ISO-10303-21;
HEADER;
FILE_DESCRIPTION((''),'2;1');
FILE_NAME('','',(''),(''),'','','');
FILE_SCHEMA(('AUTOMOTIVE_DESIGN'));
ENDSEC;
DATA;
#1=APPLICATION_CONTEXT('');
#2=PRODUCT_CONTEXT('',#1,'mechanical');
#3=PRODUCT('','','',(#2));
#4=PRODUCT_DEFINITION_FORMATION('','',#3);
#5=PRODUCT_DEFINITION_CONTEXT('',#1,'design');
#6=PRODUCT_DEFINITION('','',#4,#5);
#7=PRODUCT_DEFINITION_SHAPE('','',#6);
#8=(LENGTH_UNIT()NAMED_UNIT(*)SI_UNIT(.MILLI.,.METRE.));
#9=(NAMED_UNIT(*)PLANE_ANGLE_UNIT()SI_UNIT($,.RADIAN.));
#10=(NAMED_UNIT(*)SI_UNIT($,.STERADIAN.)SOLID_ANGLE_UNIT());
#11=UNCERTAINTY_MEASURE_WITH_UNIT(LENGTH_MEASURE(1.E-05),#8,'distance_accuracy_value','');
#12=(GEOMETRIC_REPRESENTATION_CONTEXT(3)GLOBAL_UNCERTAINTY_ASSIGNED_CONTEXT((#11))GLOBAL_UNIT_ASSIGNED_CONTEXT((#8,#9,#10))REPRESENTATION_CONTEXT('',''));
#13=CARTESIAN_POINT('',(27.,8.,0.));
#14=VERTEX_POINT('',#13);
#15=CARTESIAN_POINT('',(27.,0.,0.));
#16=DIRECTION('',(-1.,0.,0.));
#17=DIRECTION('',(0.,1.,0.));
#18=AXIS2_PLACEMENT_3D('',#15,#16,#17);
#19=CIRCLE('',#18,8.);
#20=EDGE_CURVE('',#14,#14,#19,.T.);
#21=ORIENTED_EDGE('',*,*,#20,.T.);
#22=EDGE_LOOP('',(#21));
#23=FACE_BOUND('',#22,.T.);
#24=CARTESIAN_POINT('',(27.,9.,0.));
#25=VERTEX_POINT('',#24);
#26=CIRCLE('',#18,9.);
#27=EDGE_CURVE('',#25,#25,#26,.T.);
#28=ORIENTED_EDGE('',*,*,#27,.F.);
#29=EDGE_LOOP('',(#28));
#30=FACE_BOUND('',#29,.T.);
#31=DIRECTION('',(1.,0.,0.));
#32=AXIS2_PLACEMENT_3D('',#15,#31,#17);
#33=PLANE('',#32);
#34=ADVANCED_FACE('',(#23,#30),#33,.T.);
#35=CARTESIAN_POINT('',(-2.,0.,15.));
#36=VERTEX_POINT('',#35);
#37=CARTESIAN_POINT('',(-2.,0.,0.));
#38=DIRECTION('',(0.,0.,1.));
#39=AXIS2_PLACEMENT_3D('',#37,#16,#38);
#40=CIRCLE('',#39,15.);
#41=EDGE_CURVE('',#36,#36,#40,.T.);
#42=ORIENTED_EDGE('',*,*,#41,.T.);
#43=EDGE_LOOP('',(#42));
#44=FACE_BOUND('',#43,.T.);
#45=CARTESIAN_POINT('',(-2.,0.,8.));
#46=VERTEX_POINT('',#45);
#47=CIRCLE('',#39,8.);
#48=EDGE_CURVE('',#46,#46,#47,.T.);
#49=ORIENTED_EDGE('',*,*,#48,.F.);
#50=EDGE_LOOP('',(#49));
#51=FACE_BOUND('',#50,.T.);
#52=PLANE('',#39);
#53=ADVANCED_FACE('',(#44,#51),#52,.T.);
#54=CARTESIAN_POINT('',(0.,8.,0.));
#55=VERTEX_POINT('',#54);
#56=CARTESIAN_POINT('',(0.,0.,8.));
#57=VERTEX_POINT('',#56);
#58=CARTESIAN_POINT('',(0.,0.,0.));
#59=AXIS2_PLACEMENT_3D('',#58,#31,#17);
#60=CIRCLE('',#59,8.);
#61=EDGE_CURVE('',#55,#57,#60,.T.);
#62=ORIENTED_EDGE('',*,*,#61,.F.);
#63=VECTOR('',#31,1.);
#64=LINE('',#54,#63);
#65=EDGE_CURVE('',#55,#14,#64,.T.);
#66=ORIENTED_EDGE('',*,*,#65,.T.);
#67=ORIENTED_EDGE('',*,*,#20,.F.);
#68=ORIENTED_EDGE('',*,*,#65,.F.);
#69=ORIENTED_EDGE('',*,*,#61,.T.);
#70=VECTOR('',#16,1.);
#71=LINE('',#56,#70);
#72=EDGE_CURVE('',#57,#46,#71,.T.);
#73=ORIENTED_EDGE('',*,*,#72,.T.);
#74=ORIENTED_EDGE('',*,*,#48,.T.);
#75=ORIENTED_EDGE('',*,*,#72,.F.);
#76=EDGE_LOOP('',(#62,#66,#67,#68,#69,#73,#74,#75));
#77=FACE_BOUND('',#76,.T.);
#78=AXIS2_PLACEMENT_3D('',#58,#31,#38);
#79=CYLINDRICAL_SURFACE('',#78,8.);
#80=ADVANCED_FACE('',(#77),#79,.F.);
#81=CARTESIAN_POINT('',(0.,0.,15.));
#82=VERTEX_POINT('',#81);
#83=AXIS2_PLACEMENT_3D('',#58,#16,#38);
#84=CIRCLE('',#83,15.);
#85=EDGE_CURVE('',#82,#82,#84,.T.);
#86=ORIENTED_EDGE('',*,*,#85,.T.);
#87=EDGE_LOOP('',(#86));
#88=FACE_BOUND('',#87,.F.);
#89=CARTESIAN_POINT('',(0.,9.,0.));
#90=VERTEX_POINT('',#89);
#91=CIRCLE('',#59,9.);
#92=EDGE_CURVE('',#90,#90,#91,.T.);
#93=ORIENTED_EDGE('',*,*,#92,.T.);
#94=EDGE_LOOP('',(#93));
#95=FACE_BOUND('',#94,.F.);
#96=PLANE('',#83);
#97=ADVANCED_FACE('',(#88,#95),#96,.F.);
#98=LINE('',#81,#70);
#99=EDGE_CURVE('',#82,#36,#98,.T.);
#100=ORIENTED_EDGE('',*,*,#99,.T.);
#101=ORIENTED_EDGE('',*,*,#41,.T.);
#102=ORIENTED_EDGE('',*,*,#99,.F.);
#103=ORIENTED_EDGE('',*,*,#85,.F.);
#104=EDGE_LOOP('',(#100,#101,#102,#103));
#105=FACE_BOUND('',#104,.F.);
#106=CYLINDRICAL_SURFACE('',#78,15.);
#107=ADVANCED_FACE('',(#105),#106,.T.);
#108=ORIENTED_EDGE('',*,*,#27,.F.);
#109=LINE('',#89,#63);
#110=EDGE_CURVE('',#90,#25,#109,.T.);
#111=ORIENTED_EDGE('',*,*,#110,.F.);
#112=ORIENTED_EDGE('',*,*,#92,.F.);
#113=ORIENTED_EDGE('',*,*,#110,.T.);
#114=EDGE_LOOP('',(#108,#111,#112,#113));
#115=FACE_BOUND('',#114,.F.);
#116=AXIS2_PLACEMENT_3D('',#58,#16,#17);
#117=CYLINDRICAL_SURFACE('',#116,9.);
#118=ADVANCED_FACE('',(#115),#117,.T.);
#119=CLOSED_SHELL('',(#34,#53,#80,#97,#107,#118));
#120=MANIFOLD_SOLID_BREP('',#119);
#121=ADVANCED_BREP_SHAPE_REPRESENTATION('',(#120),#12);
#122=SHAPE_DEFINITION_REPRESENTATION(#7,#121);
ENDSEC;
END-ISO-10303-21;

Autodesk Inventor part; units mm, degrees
ref_plane "YZ Plane" through (0, 0, 0) normal (1, 0, 0) x (0, 1, 0)
ref_plane "XZ Plane" through (0, 0, 0) normal (0, 1, 0) x (-1, 0, 0)
ref_plane "XY Plane" through (0, 0, 0) normal (0, 0, 1) x (1, 0, 0)
sketch "Skizze1" plane through (0, 0, 0) normal (1, 0, 0) x (0, 1, 0)
  circle A0 centre (0, 0) radius 8
  line L0 (-12.6, 0) -> (12.6, 0) projected
  line L1 (0, -12.6) -> (0, 12.6) projected
  circle A1 centre (0, 0) radius 9
  dimension "d0" = 16
  dimension "d1" = 18
extrude "Extrusion1" add sketch "Skizze1" along normal blind 27 contours L0 A1 L1 A0 | A0 L1 A1 L0 | A0 L0 A1 L1 | L1 A1 L0 A0
sketch "Skizze3" plane through (0, 0, 0) normal (-1, 0, 0) x (0, 0, 1)
  circle A0 centre (0, 0) radius 8
  circle A1 centre (0, 0) radius 15
  circle A2 centre (0, 0) radius 8 projected
  dimension "d7" = 30
extrude "Extrusion3" add sketch "Skizze3" along normal blind 2
properties part number "Spulenhalter-Ph-L"
